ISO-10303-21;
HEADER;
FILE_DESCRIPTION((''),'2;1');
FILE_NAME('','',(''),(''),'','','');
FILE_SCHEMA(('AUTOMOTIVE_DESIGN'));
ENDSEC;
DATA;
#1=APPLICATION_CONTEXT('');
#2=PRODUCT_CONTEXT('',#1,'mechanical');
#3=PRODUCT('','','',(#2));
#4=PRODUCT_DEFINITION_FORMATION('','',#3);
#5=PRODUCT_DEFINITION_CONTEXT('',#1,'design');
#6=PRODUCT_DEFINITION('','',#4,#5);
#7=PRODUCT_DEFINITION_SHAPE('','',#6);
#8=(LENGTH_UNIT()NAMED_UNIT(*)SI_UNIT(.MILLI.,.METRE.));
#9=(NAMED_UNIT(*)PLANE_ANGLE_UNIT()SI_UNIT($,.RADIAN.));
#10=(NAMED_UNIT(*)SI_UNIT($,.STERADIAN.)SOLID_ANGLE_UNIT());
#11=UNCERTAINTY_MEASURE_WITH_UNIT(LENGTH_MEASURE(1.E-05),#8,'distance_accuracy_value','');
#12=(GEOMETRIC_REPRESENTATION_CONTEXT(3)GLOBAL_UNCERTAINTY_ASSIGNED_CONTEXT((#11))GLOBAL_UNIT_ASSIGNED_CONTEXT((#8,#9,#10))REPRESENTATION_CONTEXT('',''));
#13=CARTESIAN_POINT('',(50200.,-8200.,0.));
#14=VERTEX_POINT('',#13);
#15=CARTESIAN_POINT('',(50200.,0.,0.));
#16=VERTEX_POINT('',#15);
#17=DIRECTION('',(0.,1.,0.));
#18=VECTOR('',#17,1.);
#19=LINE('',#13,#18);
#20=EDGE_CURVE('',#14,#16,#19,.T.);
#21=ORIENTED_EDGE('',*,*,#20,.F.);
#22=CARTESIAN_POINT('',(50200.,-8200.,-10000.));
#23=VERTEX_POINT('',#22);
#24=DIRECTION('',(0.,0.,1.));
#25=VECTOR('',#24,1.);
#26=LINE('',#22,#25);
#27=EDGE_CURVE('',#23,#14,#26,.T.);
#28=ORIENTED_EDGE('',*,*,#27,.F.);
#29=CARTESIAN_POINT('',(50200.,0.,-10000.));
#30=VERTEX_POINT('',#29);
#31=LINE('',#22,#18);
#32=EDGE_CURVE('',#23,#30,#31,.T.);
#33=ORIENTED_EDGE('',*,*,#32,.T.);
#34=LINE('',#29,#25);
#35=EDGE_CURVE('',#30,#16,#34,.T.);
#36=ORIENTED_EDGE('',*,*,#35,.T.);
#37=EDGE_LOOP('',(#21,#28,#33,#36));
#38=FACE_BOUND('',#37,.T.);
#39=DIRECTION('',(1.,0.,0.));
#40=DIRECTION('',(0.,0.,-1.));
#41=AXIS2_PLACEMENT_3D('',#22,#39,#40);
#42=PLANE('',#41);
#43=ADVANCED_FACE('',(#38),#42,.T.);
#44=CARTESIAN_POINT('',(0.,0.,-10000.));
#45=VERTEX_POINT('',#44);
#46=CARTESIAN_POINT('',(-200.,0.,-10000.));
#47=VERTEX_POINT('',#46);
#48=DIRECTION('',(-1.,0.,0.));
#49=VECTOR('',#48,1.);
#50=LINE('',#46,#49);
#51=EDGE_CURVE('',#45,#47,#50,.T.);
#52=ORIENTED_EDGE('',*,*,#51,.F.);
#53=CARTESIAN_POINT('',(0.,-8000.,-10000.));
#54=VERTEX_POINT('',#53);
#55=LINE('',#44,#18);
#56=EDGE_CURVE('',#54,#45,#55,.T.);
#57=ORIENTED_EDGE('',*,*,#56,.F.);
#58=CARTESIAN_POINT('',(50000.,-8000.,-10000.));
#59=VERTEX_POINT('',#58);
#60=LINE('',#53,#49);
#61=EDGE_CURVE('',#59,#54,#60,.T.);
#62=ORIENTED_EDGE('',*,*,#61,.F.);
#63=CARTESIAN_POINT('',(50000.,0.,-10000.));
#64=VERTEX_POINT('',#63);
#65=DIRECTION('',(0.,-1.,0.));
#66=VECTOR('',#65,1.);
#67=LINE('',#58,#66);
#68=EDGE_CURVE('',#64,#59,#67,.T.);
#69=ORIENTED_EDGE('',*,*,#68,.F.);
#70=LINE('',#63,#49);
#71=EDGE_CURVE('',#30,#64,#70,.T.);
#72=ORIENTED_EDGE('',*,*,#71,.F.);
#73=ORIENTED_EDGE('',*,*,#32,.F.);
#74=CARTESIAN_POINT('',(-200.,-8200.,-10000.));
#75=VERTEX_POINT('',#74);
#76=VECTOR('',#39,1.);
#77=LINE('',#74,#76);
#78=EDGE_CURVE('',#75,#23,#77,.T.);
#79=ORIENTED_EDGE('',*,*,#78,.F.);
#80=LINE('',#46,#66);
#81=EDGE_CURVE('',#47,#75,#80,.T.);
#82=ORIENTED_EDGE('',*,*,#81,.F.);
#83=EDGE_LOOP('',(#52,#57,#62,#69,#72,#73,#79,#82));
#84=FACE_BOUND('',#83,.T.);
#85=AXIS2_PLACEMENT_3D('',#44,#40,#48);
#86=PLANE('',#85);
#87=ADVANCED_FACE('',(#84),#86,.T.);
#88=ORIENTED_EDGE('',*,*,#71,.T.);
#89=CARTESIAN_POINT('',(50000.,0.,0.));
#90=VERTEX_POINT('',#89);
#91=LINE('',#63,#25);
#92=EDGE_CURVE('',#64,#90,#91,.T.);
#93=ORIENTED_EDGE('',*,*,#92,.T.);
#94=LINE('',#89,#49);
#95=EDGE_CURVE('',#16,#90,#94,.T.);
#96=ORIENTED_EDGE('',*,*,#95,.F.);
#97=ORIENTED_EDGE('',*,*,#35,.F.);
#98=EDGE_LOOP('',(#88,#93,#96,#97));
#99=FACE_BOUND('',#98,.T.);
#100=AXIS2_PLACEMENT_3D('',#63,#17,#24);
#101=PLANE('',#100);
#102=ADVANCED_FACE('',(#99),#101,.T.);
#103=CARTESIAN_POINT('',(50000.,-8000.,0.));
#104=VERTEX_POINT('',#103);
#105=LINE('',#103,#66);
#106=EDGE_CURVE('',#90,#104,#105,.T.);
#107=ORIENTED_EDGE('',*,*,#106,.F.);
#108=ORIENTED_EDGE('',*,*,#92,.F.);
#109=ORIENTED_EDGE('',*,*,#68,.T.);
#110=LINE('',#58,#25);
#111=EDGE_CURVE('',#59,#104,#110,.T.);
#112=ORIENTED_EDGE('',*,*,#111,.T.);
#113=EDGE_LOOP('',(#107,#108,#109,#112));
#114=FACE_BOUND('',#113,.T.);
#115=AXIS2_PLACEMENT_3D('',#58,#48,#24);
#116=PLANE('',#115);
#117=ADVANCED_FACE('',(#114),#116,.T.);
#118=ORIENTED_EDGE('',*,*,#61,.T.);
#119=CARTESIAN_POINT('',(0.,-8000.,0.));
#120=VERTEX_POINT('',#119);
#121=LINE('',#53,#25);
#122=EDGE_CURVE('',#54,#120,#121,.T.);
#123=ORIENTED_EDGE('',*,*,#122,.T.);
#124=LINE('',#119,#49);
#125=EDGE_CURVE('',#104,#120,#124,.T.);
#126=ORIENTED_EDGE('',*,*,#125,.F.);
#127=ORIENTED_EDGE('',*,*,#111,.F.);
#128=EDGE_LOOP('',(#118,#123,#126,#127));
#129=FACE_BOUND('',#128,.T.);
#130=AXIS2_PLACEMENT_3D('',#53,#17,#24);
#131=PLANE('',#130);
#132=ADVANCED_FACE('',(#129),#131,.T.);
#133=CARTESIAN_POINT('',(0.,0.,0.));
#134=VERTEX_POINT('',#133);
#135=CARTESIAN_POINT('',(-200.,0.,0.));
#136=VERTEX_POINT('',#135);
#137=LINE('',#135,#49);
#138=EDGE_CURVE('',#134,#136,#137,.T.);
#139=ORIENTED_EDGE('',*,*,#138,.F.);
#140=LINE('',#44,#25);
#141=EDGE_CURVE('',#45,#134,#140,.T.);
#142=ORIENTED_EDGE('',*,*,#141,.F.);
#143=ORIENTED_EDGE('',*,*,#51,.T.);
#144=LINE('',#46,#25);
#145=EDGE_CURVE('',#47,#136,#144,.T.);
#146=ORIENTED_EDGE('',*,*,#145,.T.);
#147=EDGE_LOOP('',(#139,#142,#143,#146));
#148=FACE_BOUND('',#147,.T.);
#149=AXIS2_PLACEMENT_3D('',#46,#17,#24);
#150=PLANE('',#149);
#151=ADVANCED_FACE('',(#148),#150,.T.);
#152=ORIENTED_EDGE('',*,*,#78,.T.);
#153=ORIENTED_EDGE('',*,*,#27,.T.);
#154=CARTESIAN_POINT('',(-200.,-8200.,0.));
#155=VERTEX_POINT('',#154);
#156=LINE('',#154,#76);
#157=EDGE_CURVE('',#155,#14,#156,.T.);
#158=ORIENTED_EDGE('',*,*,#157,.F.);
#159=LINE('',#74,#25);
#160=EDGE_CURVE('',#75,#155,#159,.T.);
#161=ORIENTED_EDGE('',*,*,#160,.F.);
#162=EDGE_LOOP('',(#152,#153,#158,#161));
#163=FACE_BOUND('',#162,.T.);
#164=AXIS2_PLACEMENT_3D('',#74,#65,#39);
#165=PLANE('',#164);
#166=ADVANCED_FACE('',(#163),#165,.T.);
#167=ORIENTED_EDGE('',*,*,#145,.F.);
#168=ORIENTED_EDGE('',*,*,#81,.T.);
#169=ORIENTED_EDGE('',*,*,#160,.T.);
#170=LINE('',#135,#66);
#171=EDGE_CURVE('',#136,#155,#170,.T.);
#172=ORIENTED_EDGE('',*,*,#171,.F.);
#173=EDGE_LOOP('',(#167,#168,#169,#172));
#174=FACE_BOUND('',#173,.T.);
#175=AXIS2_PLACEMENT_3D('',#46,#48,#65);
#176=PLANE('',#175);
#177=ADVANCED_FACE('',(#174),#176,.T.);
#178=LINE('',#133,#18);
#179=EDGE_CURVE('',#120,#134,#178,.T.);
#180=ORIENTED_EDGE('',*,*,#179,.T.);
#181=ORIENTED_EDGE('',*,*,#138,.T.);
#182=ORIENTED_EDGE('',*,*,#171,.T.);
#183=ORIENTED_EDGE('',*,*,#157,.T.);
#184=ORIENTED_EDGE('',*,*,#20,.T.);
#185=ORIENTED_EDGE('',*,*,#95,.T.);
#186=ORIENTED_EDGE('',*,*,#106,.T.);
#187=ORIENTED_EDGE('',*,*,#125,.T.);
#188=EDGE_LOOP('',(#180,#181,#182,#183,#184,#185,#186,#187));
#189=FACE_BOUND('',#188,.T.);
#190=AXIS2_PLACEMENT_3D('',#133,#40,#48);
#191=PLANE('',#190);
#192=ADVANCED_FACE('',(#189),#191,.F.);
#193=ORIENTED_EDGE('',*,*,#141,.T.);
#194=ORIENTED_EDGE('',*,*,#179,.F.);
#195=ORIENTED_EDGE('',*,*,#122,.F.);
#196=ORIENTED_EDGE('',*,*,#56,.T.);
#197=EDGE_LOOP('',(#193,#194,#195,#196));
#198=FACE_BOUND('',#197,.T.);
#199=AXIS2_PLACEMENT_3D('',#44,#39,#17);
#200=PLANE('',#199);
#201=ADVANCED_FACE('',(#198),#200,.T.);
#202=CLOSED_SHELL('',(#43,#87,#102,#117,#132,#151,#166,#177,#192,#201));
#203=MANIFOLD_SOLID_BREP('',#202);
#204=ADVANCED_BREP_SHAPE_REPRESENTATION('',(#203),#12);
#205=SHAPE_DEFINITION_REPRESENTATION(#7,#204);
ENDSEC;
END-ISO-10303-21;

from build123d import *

# Parameters (mm, degrees)
BOSS_EXTRUDE1_DEPTH = 10000


with BuildPart() as part:
    # Sketch2 → Boss-Extrude1 (new body)
    with BuildSketch(Plane.XY):
        Polygon((0, 0), (0, -8000), (50000, -8000), (50000, 0), (50200, 0), (50200, -8200), (-200, -8200), (-200, 0), align=None)
    extrude(amount=-BOSS_EXTRUDE1_DEPTH)


solid = part.part
